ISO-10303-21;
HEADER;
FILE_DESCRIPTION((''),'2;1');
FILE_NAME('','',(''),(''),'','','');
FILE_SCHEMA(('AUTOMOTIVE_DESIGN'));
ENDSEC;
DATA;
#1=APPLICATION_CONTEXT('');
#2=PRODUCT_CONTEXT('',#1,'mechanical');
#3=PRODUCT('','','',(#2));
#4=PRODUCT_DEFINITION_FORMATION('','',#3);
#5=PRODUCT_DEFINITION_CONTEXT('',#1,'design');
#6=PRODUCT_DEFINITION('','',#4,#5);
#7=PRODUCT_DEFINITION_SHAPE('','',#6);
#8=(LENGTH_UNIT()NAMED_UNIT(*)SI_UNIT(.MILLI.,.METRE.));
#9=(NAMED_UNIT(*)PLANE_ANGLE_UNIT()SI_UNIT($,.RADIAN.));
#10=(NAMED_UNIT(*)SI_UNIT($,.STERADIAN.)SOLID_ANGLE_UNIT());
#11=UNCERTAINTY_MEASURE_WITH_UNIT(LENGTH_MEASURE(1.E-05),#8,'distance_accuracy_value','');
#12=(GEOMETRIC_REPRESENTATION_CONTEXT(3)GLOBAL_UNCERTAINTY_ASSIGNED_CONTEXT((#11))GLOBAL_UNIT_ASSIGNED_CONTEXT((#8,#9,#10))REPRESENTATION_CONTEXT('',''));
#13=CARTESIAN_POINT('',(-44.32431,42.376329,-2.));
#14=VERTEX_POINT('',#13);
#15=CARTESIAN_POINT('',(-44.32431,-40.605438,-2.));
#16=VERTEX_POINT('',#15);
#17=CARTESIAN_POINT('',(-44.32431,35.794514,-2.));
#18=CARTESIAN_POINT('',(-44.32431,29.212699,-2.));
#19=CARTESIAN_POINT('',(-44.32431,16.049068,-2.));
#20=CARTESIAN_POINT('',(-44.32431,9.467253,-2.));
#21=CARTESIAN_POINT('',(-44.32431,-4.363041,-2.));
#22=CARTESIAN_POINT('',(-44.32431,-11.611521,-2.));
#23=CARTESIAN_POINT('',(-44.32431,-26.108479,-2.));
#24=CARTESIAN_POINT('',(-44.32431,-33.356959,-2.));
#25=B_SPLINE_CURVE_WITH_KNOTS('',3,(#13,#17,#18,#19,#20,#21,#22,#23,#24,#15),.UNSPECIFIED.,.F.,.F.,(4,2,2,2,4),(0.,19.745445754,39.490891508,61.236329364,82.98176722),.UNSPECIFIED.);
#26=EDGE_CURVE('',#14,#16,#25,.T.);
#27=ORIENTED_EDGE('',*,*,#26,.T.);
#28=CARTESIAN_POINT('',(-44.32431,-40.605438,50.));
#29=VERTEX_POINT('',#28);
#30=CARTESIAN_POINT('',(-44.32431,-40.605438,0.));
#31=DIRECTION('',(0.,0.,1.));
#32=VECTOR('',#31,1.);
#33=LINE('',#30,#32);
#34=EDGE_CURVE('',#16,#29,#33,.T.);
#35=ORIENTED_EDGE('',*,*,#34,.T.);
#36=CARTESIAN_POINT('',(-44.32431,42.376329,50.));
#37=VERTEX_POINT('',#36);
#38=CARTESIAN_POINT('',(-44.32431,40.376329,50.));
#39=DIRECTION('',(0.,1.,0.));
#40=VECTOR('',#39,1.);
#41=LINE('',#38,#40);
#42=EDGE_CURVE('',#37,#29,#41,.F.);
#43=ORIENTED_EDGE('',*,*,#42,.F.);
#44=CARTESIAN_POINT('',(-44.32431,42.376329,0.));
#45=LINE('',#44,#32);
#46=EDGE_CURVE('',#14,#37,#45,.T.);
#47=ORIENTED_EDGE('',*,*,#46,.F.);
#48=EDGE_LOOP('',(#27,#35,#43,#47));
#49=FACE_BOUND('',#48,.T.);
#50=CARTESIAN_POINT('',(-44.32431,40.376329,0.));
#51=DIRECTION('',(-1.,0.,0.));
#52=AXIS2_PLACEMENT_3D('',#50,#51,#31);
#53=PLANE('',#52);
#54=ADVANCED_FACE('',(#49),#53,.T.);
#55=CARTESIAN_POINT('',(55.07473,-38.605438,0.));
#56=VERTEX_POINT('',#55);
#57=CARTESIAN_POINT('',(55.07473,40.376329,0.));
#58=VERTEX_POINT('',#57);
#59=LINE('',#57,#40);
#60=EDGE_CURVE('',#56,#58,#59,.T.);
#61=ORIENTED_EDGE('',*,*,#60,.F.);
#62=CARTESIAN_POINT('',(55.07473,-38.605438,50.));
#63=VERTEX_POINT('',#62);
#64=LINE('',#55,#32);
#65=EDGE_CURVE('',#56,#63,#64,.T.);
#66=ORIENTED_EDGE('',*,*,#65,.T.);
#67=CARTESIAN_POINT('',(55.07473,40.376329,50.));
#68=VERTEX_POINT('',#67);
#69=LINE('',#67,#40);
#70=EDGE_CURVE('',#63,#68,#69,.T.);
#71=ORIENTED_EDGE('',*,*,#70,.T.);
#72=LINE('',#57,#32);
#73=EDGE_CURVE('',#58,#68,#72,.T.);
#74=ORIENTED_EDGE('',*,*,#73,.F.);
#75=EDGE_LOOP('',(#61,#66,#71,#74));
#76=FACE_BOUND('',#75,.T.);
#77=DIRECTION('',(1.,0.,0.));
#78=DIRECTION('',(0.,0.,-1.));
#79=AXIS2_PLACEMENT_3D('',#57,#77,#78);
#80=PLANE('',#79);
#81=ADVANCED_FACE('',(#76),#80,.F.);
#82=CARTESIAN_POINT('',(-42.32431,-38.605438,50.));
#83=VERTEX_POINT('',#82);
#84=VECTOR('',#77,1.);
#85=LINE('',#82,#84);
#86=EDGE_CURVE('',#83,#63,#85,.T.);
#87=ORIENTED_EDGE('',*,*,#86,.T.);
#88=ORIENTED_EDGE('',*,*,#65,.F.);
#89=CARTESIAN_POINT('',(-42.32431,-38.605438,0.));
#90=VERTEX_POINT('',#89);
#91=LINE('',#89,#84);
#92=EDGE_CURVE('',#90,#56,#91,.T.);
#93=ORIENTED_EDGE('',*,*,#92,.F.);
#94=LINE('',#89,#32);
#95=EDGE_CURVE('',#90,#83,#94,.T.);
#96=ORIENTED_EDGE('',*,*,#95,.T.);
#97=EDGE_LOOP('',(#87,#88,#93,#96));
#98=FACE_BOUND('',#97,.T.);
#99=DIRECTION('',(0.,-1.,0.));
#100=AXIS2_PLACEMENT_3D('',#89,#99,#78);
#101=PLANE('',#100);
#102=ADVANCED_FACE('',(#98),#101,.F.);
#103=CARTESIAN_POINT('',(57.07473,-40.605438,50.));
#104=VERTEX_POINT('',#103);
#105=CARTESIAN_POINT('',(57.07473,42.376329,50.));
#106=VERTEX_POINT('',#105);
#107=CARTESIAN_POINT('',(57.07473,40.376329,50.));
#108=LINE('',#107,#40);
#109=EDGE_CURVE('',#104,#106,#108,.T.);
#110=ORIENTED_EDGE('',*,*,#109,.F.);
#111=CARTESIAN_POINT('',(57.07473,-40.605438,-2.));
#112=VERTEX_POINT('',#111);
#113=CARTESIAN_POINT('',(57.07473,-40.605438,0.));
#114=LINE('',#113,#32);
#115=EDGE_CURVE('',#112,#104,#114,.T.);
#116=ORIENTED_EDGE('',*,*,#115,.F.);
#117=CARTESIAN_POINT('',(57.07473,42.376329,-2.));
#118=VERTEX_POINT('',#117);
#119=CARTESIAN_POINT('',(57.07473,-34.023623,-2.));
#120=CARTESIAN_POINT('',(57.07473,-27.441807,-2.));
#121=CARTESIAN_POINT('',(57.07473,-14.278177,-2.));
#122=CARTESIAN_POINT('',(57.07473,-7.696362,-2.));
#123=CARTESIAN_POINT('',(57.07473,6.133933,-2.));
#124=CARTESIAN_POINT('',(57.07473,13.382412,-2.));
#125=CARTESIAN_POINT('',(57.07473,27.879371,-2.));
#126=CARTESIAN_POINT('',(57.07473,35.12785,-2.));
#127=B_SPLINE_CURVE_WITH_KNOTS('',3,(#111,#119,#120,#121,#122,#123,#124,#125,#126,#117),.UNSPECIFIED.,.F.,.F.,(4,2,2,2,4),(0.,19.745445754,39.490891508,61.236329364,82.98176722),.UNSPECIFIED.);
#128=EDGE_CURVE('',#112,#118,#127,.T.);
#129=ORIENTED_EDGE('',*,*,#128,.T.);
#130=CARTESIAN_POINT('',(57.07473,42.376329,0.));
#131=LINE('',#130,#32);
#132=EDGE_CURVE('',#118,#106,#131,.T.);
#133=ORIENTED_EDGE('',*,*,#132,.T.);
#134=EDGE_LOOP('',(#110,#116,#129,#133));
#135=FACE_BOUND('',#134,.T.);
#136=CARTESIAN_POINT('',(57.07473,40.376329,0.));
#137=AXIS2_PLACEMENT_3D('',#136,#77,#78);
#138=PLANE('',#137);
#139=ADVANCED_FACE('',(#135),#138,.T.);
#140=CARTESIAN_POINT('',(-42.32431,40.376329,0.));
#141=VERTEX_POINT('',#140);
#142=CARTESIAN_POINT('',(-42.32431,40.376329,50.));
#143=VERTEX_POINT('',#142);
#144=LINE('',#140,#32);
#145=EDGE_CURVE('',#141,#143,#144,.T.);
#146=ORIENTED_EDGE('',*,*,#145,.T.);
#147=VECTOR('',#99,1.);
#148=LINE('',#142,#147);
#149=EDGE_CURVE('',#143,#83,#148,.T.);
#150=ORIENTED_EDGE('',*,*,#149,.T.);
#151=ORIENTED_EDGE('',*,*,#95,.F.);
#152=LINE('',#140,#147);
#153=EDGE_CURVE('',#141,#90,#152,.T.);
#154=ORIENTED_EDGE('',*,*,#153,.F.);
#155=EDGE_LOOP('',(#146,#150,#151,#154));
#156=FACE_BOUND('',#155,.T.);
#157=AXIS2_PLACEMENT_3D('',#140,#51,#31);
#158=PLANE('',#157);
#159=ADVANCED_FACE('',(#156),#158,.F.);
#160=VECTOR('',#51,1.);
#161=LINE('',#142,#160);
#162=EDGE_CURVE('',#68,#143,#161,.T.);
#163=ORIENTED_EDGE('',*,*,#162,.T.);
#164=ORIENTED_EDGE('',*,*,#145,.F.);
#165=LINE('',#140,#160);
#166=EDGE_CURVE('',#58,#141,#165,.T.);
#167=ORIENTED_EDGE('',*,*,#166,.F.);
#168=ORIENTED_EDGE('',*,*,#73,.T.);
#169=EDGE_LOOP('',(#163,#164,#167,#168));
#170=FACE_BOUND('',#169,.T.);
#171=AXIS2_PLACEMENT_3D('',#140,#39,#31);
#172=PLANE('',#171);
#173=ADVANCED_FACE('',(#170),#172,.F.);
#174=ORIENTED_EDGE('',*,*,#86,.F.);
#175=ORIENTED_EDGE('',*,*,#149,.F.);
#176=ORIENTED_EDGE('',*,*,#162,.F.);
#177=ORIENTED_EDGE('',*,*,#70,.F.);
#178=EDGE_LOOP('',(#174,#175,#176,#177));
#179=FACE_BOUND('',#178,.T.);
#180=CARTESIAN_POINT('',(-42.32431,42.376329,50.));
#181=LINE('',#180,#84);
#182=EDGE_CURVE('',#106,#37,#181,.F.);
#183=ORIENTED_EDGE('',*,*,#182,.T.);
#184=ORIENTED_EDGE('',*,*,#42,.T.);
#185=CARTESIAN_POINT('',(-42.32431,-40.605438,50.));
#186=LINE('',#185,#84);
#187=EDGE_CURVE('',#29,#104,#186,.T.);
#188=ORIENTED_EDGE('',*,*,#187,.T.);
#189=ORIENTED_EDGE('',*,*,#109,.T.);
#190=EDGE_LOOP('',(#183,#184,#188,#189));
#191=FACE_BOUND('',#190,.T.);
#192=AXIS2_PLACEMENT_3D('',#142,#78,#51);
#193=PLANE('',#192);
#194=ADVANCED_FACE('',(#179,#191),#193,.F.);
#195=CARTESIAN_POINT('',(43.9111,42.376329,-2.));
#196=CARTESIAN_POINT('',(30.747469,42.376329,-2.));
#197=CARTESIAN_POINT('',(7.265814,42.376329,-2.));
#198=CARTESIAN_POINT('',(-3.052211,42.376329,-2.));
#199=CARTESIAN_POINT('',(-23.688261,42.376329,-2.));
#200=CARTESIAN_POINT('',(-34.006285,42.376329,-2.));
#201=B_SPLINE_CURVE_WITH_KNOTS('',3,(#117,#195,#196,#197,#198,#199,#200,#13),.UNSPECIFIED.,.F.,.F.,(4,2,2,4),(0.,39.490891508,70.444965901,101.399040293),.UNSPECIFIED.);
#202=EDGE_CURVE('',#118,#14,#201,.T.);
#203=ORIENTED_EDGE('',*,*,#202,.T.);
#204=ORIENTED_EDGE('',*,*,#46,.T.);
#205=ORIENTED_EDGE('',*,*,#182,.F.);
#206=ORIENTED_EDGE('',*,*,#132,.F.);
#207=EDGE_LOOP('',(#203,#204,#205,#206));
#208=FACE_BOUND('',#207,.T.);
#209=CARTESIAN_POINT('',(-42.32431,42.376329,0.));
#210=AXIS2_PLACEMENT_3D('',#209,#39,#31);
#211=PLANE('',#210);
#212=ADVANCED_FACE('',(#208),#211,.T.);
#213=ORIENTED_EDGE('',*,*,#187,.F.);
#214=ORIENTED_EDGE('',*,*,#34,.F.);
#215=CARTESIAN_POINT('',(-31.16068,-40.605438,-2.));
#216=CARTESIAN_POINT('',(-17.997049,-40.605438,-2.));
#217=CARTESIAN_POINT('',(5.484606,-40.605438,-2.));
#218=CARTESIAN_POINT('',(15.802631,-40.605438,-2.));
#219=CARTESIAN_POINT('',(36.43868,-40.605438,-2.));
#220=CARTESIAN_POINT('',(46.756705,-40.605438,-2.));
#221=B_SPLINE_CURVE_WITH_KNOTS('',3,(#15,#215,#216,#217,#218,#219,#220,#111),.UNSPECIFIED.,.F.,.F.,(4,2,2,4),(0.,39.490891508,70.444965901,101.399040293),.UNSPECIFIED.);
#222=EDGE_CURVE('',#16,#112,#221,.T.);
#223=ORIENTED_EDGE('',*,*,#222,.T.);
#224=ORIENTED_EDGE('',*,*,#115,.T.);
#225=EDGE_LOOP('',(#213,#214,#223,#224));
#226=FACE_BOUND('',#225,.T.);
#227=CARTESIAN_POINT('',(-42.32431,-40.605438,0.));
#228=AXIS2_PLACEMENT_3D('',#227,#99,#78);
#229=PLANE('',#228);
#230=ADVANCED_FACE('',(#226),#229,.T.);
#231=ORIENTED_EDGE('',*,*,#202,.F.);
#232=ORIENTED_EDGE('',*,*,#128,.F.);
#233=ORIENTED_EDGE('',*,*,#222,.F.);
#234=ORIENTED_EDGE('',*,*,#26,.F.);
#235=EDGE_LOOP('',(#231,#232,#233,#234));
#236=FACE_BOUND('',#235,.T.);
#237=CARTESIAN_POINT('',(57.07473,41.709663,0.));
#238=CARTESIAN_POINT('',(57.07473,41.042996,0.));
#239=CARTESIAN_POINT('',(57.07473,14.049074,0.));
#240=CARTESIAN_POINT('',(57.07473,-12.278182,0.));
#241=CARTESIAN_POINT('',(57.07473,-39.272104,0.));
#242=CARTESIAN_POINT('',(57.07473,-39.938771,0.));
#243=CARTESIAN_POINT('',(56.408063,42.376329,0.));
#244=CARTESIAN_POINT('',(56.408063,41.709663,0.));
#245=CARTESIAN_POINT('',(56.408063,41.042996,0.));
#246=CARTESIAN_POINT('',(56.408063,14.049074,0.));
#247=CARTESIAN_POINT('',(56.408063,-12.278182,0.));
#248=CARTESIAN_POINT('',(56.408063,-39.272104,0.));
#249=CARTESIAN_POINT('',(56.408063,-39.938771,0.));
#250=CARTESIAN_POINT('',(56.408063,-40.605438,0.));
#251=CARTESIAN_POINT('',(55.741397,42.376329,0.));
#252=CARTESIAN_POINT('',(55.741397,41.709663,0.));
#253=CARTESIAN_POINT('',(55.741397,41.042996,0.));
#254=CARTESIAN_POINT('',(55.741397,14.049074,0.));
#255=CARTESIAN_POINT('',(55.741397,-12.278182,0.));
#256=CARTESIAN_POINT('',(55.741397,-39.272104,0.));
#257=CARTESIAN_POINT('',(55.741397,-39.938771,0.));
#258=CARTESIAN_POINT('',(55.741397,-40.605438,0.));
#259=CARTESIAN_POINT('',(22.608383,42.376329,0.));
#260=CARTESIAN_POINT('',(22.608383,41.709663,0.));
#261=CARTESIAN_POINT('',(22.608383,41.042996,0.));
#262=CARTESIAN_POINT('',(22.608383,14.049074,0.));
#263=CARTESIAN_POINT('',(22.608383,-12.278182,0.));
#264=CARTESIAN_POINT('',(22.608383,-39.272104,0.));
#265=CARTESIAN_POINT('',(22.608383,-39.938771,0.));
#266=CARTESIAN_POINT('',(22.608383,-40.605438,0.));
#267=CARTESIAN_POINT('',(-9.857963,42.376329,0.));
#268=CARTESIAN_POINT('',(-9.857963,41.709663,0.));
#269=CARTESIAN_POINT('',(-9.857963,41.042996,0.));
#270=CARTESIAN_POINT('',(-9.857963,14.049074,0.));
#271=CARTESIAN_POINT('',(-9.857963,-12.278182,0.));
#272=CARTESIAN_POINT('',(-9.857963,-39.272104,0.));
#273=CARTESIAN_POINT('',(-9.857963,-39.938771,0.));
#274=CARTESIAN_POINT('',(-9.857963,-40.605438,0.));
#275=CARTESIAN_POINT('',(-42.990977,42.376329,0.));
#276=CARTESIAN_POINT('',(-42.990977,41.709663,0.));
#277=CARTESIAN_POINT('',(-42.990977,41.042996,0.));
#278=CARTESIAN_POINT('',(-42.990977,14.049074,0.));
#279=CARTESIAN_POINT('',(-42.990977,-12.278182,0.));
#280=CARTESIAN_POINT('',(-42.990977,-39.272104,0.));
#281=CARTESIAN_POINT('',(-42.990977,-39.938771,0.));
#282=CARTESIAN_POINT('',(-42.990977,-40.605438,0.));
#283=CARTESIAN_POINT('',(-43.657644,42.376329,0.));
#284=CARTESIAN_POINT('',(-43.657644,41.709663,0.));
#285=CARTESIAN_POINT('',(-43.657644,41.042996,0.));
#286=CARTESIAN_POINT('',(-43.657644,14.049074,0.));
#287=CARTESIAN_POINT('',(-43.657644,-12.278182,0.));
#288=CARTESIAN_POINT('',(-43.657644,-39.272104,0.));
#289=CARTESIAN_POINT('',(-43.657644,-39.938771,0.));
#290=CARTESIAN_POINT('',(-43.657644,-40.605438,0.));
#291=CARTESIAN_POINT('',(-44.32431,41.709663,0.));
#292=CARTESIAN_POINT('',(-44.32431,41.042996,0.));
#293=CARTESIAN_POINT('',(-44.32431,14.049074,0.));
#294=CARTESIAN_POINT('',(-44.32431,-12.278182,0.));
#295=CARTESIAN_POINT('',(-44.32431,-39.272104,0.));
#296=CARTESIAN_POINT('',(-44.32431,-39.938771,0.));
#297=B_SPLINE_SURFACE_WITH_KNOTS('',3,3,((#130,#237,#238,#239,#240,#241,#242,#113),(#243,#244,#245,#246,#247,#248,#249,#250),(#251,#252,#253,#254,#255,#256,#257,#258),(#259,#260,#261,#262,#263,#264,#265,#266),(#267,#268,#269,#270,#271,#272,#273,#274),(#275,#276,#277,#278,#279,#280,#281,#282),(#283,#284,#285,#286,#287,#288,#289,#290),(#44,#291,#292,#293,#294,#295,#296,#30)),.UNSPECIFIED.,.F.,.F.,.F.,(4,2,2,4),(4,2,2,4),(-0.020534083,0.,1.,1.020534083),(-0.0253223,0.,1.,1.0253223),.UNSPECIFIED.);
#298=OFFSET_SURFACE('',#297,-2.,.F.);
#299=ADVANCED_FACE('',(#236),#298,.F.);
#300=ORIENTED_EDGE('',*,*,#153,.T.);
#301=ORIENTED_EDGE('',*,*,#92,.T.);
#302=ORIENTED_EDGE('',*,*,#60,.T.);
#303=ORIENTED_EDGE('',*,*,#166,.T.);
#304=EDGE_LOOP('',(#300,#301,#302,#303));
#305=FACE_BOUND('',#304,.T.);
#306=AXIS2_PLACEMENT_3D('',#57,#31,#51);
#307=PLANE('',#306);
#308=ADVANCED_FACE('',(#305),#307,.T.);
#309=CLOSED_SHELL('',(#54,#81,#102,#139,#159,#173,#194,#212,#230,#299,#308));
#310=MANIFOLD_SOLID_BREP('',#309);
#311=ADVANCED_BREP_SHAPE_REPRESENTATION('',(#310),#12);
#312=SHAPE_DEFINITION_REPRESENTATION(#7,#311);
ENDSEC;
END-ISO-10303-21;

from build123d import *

# Parameters (mm, degrees)
SHEET_EXTRUDE_1_2_DEPTH = 50
SKETCH_1_2_W            = 97.399040294
SKETCH_1_2_H            = 78.98176722
THICKEN_1_T1            = 2


with BuildPart() as body_1:
    # Sheet Extrude 1: a surface, the sketch's curves swept straight by 50 mm
    with BuildLine(Plane.XY, mode=Mode.PRIVATE) as sheet_extrude_1_2_path:
        Line((-42.324310237, 40.376329431), (55.074730057, 40.376329431))
        Line((55.074730057, 40.376329431), (55.074730057, -38.605437789))
        Line((55.074730057, -38.605437789), (-42.324310237, -38.605437789))
        Line((-42.324310237, -38.605437789), (-42.324310237, 40.376329431))
    sheet_extrude_1_2 = Shell.extrude(sheet_extrude_1_2_path.wire(), (0 * SHEET_EXTRUDE_1_2_DEPTH, 0 * SHEET_EXTRUDE_1_2_DEPTH, 1 * SHEET_EXTRUDE_1_2_DEPTH))
    # Эскиз1<2> → Sheet Fill 1: a flat surface bounded by the sketch
    with BuildSketch(Plane.XY, mode=Mode.PRIVATE) as sheet_fill_1_3_region:
        with Locations((6.37520991, 0.885445821)):
            Rectangle(SKETCH_1_2_W, SKETCH_1_2_H)
    sheet_fill_1_3 = sheet_fill_1_3_region.sketch.faces()[0]
    # Knit 1: the surfaces knitted into one
    knit_1_1 = Shell(Face.sew_faces(sheet_extrude_1_2.faces() + sheet_fill_1_3.faces())[0])
    add(Solid.thicken(knit_1_1, THICKEN_1_T1))


solid = body_1.part
